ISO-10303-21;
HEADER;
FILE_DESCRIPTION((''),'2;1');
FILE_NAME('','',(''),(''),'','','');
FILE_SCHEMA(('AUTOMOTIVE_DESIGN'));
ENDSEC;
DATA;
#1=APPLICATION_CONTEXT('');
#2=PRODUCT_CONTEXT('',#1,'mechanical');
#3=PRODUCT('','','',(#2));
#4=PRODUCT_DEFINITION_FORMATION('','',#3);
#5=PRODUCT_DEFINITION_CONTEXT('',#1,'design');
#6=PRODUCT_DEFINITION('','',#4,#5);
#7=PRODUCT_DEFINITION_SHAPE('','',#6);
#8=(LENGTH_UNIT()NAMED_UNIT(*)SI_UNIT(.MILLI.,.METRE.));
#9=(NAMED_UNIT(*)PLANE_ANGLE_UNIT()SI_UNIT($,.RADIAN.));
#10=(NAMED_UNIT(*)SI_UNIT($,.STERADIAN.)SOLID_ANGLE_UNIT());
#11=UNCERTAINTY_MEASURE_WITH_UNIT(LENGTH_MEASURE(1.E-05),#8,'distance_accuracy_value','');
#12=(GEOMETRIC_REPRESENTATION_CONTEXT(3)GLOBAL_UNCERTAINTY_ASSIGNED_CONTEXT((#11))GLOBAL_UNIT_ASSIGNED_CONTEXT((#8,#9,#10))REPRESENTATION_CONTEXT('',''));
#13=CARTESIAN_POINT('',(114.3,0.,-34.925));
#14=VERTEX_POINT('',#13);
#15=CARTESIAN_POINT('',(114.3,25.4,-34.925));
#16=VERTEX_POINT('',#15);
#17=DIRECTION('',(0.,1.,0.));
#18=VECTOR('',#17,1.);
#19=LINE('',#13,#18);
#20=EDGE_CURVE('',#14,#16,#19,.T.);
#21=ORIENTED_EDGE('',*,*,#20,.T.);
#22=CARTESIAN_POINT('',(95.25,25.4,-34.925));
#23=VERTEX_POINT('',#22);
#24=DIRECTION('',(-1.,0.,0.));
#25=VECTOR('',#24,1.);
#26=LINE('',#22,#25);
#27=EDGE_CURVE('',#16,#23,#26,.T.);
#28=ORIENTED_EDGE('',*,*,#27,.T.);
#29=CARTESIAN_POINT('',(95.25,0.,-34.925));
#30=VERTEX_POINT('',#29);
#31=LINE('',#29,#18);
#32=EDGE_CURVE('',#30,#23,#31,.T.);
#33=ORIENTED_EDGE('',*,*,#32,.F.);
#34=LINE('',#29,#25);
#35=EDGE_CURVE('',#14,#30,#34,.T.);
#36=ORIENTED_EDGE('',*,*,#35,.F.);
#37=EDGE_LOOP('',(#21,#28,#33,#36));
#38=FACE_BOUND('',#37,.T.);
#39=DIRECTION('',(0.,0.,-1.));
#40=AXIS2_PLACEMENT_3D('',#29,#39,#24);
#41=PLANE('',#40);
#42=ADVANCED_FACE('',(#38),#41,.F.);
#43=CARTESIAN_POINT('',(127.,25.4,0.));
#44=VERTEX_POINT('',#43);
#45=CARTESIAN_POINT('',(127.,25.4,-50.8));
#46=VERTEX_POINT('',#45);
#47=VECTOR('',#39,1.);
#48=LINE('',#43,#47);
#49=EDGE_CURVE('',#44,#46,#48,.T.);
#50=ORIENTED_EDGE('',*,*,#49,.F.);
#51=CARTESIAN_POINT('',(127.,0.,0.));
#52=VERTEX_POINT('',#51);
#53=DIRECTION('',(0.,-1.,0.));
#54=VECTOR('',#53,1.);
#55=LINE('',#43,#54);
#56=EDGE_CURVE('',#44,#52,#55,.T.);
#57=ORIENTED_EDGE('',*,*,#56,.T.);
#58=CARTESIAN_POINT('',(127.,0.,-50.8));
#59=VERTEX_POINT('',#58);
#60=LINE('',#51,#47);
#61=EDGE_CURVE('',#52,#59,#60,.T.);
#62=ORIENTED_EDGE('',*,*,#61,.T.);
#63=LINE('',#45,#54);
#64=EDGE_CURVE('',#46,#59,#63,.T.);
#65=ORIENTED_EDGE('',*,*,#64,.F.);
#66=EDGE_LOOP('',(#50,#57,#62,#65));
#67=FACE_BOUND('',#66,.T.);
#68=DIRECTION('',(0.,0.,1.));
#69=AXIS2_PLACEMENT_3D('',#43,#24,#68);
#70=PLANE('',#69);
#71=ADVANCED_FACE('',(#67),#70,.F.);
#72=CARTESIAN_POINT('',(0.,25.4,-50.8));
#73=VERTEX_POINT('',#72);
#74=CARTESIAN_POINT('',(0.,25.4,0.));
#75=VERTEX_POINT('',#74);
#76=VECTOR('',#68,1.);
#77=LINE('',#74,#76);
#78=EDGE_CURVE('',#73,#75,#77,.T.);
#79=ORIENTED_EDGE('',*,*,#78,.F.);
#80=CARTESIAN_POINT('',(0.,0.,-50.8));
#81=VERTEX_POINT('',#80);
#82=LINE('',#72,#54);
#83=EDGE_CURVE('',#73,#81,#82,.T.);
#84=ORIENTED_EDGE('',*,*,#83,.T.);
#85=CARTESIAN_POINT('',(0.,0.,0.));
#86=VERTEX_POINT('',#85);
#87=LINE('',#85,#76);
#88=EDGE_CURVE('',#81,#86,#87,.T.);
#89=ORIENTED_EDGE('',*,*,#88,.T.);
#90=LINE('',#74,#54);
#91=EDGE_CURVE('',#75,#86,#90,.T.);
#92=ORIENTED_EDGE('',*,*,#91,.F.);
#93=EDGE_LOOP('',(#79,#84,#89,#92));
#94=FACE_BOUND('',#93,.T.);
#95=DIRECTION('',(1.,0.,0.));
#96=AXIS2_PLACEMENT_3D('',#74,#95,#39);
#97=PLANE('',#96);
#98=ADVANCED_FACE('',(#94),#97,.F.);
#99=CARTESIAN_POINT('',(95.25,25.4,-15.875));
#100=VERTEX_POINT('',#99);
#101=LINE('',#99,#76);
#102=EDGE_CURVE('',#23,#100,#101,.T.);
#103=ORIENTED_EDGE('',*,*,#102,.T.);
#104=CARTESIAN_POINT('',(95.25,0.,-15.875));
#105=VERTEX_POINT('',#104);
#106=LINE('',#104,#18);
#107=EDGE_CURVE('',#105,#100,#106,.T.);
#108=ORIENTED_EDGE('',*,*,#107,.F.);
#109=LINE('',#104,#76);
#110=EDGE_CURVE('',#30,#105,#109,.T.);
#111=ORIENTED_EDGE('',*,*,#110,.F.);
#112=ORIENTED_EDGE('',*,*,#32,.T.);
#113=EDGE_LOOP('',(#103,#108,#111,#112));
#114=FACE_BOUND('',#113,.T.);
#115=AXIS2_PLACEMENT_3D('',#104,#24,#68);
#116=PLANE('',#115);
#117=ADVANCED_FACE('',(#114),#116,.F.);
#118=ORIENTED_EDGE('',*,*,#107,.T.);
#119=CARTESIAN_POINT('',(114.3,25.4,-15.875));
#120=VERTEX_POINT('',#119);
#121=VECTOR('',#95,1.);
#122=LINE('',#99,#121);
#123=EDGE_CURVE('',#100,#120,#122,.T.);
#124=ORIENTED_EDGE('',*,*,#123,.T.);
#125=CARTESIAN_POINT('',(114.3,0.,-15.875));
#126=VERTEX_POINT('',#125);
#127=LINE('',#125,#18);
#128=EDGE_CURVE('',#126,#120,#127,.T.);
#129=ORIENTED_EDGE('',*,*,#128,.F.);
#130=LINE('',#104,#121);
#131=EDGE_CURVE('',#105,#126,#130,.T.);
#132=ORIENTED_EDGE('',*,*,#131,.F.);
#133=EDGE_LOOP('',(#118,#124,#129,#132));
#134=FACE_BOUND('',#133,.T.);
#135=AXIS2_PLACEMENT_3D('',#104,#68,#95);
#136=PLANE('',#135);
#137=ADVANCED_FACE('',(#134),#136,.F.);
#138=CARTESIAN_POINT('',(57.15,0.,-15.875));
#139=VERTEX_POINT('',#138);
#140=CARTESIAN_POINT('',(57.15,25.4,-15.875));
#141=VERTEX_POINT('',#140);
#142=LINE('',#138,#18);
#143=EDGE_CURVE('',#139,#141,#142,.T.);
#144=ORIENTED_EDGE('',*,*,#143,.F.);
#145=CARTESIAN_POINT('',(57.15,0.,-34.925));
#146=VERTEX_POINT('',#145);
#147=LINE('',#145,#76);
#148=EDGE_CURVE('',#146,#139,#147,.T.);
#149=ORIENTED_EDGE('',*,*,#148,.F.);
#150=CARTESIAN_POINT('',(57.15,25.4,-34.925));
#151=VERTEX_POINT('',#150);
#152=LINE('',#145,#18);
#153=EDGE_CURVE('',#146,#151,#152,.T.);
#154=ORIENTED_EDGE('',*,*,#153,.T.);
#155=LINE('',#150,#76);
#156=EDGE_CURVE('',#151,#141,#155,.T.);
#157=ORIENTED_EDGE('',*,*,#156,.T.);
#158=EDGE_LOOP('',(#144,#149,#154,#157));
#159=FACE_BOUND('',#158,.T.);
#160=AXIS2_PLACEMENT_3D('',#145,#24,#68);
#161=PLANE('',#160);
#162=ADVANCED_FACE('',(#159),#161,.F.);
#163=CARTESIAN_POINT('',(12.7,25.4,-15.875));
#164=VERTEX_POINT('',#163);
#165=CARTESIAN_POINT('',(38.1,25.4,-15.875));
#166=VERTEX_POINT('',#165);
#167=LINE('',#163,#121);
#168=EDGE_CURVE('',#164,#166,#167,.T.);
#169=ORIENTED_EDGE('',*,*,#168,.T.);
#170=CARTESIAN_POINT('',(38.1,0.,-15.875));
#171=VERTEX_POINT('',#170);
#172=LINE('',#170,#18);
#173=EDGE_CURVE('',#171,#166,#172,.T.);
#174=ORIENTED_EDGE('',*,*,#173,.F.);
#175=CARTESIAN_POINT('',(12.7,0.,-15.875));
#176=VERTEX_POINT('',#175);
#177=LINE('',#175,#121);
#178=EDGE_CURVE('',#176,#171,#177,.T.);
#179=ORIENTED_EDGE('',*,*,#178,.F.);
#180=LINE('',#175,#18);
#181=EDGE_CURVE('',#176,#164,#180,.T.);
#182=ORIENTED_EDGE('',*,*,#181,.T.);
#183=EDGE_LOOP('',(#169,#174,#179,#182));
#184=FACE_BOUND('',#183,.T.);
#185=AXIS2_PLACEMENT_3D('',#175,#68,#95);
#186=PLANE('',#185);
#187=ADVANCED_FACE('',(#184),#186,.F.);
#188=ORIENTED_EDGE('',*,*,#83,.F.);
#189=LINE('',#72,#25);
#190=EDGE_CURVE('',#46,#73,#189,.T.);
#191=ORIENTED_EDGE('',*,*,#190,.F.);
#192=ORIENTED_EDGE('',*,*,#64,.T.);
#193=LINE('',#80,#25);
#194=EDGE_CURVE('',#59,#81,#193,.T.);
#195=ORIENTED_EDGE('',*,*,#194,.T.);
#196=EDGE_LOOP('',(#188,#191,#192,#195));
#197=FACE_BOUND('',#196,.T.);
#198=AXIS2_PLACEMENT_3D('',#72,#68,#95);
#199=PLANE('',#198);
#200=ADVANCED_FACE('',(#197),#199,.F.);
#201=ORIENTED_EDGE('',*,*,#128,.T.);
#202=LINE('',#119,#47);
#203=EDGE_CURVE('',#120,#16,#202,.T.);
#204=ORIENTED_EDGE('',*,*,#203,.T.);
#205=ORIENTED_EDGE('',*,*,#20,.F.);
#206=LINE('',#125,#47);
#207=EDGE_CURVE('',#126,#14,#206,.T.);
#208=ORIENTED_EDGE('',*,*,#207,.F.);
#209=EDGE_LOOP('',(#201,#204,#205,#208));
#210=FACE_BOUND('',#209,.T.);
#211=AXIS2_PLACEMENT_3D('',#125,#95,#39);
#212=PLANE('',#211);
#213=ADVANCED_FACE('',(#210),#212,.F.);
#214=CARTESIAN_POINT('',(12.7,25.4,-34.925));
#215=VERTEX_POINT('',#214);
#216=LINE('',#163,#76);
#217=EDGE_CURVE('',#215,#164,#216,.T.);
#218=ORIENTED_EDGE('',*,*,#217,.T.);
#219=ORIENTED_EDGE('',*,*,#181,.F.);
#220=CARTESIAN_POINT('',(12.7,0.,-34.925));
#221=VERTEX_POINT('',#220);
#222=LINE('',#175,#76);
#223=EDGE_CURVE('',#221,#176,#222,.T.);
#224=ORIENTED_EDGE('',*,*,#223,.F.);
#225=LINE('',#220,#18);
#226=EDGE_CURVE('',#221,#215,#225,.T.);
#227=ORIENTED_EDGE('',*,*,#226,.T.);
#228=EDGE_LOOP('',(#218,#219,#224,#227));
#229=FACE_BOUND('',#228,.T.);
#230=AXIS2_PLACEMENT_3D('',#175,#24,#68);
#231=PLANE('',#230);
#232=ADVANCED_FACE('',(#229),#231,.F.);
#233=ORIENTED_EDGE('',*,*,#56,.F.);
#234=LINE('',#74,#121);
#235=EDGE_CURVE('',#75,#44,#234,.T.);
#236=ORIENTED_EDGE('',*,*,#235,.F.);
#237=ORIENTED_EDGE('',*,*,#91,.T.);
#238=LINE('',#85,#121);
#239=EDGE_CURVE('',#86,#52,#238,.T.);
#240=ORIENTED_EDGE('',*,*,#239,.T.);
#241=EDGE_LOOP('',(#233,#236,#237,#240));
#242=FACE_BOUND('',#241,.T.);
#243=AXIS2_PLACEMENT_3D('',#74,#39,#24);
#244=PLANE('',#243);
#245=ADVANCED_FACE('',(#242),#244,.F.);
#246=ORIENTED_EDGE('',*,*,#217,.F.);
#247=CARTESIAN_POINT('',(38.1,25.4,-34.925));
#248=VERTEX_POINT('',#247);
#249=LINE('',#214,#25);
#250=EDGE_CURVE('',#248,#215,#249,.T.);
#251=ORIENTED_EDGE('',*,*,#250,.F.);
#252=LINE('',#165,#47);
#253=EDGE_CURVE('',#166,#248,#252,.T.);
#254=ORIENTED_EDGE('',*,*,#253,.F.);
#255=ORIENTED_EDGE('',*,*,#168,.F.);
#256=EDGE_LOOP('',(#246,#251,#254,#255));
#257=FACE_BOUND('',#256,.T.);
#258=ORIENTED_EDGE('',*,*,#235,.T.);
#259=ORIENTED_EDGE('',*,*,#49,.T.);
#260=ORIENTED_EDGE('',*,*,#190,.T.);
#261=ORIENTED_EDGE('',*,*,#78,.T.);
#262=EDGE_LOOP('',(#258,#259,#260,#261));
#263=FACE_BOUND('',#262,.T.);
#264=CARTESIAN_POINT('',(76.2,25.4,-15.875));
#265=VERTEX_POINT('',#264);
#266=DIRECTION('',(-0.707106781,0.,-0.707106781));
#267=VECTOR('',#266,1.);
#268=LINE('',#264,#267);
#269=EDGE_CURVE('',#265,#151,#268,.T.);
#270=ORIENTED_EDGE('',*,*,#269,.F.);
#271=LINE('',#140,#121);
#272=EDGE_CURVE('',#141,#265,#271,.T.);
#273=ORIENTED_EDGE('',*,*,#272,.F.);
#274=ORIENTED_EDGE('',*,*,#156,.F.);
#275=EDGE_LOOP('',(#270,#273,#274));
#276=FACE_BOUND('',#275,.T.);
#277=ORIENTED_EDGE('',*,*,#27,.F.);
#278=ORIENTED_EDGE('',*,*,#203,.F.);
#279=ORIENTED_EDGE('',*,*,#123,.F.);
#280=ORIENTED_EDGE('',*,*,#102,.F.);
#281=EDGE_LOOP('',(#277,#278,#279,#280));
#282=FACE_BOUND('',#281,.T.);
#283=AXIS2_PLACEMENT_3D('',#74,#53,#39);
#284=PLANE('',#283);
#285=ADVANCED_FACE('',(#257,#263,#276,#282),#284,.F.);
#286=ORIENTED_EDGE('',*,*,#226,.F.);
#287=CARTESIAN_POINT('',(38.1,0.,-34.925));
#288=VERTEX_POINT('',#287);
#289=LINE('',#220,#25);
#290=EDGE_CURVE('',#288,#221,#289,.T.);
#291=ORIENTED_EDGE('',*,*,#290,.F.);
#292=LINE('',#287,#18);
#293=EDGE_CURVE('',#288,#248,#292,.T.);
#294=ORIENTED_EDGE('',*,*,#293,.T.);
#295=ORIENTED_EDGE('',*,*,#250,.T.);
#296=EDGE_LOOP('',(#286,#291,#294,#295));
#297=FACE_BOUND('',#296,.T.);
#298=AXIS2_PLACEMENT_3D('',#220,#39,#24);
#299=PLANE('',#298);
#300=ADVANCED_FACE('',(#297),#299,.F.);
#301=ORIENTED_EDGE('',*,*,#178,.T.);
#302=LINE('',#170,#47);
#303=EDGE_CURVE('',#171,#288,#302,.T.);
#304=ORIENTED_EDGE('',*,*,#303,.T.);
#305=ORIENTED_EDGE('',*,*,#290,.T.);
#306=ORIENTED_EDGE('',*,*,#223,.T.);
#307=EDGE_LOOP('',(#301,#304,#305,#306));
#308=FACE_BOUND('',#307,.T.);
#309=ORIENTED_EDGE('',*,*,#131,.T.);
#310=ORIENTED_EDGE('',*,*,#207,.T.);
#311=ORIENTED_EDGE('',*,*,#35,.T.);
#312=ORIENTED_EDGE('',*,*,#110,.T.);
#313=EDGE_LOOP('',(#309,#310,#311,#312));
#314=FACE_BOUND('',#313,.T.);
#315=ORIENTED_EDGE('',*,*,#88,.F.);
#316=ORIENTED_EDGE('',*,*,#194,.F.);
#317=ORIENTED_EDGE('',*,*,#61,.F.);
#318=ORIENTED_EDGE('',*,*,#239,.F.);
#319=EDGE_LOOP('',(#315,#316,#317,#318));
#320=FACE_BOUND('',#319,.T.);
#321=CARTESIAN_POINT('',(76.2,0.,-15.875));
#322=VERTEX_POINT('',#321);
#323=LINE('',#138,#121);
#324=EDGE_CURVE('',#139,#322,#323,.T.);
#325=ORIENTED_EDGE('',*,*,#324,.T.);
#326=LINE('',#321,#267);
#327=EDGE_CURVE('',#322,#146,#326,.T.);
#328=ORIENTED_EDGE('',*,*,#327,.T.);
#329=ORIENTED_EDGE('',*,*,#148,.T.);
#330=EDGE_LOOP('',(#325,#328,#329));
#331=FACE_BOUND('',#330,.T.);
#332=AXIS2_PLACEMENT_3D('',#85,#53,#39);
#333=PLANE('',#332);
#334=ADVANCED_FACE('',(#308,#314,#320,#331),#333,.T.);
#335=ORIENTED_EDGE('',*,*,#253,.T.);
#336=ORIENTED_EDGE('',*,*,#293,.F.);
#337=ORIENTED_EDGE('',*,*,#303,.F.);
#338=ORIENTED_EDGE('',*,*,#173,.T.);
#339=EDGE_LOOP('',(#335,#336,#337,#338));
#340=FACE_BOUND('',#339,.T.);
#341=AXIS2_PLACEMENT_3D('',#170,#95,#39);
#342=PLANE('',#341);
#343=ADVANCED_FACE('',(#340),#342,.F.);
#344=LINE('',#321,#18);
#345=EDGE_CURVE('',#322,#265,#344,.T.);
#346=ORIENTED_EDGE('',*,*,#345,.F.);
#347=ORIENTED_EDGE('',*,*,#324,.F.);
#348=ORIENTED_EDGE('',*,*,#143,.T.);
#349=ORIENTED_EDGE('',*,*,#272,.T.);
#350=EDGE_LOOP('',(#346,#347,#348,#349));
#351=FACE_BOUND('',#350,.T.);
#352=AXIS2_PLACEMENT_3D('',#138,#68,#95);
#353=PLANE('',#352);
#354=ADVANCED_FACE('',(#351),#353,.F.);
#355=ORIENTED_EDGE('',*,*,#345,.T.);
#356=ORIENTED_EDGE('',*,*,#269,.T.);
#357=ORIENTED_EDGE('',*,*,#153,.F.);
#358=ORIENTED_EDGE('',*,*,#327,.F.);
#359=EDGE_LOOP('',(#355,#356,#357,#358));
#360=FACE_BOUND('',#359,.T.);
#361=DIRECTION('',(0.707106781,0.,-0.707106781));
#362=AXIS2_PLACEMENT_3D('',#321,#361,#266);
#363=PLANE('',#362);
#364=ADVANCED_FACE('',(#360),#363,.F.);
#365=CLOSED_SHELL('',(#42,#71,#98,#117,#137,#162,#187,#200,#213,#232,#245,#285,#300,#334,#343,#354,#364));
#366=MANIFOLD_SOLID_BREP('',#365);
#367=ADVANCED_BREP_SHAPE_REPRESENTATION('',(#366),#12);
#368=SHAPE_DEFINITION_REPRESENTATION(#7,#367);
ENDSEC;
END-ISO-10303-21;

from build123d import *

# Parameters (mm, degrees)
SKETCH1_W           = 127
SKETCH1_H           = 50.8
BOSS_EXTRUDE1_DEPTH = 25.4
SKETCH2_W           = 25.4
SKETCH2_H           = 19.05
SKETCH2_W_2         = 19.05
CUT_EXTRUDE1_DEPTH  = 26.4


with BuildPart() as part:
    # Sketch1 → Boss-Extrude1 (new body)
    with BuildSketch(Plane(origin=(0, 0, 0), x_dir=(1, 0, 0), z_dir=(0, 1, 0))):
        with Locations((63.5, 25.4)):
            Rectangle(SKETCH1_W, SKETCH1_H)
    extrude(amount=BOSS_EXTRUDE1_DEPTH)

    # Sketch2 → Cut-Extrude1 (cut, through all)
    with BuildSketch(Plane(origin=(0, 25.4, 0), x_dir=(1, 0, 0), z_dir=(0, 1, 0))):
        Polygon((57.15, 34.925), (57.15, 15.875), (76.2, 15.875), align=None)
        with Locations((25.4, 25.4)):
            Rectangle(SKETCH2_W, SKETCH2_H)
        with Locations((104.775, 25.4)):
            Rectangle(SKETCH2_W_2, SKETCH2_H)
    extrude(amount=-CUT_EXTRUDE1_DEPTH, mode=Mode.SUBTRACT)


solid = part.part
